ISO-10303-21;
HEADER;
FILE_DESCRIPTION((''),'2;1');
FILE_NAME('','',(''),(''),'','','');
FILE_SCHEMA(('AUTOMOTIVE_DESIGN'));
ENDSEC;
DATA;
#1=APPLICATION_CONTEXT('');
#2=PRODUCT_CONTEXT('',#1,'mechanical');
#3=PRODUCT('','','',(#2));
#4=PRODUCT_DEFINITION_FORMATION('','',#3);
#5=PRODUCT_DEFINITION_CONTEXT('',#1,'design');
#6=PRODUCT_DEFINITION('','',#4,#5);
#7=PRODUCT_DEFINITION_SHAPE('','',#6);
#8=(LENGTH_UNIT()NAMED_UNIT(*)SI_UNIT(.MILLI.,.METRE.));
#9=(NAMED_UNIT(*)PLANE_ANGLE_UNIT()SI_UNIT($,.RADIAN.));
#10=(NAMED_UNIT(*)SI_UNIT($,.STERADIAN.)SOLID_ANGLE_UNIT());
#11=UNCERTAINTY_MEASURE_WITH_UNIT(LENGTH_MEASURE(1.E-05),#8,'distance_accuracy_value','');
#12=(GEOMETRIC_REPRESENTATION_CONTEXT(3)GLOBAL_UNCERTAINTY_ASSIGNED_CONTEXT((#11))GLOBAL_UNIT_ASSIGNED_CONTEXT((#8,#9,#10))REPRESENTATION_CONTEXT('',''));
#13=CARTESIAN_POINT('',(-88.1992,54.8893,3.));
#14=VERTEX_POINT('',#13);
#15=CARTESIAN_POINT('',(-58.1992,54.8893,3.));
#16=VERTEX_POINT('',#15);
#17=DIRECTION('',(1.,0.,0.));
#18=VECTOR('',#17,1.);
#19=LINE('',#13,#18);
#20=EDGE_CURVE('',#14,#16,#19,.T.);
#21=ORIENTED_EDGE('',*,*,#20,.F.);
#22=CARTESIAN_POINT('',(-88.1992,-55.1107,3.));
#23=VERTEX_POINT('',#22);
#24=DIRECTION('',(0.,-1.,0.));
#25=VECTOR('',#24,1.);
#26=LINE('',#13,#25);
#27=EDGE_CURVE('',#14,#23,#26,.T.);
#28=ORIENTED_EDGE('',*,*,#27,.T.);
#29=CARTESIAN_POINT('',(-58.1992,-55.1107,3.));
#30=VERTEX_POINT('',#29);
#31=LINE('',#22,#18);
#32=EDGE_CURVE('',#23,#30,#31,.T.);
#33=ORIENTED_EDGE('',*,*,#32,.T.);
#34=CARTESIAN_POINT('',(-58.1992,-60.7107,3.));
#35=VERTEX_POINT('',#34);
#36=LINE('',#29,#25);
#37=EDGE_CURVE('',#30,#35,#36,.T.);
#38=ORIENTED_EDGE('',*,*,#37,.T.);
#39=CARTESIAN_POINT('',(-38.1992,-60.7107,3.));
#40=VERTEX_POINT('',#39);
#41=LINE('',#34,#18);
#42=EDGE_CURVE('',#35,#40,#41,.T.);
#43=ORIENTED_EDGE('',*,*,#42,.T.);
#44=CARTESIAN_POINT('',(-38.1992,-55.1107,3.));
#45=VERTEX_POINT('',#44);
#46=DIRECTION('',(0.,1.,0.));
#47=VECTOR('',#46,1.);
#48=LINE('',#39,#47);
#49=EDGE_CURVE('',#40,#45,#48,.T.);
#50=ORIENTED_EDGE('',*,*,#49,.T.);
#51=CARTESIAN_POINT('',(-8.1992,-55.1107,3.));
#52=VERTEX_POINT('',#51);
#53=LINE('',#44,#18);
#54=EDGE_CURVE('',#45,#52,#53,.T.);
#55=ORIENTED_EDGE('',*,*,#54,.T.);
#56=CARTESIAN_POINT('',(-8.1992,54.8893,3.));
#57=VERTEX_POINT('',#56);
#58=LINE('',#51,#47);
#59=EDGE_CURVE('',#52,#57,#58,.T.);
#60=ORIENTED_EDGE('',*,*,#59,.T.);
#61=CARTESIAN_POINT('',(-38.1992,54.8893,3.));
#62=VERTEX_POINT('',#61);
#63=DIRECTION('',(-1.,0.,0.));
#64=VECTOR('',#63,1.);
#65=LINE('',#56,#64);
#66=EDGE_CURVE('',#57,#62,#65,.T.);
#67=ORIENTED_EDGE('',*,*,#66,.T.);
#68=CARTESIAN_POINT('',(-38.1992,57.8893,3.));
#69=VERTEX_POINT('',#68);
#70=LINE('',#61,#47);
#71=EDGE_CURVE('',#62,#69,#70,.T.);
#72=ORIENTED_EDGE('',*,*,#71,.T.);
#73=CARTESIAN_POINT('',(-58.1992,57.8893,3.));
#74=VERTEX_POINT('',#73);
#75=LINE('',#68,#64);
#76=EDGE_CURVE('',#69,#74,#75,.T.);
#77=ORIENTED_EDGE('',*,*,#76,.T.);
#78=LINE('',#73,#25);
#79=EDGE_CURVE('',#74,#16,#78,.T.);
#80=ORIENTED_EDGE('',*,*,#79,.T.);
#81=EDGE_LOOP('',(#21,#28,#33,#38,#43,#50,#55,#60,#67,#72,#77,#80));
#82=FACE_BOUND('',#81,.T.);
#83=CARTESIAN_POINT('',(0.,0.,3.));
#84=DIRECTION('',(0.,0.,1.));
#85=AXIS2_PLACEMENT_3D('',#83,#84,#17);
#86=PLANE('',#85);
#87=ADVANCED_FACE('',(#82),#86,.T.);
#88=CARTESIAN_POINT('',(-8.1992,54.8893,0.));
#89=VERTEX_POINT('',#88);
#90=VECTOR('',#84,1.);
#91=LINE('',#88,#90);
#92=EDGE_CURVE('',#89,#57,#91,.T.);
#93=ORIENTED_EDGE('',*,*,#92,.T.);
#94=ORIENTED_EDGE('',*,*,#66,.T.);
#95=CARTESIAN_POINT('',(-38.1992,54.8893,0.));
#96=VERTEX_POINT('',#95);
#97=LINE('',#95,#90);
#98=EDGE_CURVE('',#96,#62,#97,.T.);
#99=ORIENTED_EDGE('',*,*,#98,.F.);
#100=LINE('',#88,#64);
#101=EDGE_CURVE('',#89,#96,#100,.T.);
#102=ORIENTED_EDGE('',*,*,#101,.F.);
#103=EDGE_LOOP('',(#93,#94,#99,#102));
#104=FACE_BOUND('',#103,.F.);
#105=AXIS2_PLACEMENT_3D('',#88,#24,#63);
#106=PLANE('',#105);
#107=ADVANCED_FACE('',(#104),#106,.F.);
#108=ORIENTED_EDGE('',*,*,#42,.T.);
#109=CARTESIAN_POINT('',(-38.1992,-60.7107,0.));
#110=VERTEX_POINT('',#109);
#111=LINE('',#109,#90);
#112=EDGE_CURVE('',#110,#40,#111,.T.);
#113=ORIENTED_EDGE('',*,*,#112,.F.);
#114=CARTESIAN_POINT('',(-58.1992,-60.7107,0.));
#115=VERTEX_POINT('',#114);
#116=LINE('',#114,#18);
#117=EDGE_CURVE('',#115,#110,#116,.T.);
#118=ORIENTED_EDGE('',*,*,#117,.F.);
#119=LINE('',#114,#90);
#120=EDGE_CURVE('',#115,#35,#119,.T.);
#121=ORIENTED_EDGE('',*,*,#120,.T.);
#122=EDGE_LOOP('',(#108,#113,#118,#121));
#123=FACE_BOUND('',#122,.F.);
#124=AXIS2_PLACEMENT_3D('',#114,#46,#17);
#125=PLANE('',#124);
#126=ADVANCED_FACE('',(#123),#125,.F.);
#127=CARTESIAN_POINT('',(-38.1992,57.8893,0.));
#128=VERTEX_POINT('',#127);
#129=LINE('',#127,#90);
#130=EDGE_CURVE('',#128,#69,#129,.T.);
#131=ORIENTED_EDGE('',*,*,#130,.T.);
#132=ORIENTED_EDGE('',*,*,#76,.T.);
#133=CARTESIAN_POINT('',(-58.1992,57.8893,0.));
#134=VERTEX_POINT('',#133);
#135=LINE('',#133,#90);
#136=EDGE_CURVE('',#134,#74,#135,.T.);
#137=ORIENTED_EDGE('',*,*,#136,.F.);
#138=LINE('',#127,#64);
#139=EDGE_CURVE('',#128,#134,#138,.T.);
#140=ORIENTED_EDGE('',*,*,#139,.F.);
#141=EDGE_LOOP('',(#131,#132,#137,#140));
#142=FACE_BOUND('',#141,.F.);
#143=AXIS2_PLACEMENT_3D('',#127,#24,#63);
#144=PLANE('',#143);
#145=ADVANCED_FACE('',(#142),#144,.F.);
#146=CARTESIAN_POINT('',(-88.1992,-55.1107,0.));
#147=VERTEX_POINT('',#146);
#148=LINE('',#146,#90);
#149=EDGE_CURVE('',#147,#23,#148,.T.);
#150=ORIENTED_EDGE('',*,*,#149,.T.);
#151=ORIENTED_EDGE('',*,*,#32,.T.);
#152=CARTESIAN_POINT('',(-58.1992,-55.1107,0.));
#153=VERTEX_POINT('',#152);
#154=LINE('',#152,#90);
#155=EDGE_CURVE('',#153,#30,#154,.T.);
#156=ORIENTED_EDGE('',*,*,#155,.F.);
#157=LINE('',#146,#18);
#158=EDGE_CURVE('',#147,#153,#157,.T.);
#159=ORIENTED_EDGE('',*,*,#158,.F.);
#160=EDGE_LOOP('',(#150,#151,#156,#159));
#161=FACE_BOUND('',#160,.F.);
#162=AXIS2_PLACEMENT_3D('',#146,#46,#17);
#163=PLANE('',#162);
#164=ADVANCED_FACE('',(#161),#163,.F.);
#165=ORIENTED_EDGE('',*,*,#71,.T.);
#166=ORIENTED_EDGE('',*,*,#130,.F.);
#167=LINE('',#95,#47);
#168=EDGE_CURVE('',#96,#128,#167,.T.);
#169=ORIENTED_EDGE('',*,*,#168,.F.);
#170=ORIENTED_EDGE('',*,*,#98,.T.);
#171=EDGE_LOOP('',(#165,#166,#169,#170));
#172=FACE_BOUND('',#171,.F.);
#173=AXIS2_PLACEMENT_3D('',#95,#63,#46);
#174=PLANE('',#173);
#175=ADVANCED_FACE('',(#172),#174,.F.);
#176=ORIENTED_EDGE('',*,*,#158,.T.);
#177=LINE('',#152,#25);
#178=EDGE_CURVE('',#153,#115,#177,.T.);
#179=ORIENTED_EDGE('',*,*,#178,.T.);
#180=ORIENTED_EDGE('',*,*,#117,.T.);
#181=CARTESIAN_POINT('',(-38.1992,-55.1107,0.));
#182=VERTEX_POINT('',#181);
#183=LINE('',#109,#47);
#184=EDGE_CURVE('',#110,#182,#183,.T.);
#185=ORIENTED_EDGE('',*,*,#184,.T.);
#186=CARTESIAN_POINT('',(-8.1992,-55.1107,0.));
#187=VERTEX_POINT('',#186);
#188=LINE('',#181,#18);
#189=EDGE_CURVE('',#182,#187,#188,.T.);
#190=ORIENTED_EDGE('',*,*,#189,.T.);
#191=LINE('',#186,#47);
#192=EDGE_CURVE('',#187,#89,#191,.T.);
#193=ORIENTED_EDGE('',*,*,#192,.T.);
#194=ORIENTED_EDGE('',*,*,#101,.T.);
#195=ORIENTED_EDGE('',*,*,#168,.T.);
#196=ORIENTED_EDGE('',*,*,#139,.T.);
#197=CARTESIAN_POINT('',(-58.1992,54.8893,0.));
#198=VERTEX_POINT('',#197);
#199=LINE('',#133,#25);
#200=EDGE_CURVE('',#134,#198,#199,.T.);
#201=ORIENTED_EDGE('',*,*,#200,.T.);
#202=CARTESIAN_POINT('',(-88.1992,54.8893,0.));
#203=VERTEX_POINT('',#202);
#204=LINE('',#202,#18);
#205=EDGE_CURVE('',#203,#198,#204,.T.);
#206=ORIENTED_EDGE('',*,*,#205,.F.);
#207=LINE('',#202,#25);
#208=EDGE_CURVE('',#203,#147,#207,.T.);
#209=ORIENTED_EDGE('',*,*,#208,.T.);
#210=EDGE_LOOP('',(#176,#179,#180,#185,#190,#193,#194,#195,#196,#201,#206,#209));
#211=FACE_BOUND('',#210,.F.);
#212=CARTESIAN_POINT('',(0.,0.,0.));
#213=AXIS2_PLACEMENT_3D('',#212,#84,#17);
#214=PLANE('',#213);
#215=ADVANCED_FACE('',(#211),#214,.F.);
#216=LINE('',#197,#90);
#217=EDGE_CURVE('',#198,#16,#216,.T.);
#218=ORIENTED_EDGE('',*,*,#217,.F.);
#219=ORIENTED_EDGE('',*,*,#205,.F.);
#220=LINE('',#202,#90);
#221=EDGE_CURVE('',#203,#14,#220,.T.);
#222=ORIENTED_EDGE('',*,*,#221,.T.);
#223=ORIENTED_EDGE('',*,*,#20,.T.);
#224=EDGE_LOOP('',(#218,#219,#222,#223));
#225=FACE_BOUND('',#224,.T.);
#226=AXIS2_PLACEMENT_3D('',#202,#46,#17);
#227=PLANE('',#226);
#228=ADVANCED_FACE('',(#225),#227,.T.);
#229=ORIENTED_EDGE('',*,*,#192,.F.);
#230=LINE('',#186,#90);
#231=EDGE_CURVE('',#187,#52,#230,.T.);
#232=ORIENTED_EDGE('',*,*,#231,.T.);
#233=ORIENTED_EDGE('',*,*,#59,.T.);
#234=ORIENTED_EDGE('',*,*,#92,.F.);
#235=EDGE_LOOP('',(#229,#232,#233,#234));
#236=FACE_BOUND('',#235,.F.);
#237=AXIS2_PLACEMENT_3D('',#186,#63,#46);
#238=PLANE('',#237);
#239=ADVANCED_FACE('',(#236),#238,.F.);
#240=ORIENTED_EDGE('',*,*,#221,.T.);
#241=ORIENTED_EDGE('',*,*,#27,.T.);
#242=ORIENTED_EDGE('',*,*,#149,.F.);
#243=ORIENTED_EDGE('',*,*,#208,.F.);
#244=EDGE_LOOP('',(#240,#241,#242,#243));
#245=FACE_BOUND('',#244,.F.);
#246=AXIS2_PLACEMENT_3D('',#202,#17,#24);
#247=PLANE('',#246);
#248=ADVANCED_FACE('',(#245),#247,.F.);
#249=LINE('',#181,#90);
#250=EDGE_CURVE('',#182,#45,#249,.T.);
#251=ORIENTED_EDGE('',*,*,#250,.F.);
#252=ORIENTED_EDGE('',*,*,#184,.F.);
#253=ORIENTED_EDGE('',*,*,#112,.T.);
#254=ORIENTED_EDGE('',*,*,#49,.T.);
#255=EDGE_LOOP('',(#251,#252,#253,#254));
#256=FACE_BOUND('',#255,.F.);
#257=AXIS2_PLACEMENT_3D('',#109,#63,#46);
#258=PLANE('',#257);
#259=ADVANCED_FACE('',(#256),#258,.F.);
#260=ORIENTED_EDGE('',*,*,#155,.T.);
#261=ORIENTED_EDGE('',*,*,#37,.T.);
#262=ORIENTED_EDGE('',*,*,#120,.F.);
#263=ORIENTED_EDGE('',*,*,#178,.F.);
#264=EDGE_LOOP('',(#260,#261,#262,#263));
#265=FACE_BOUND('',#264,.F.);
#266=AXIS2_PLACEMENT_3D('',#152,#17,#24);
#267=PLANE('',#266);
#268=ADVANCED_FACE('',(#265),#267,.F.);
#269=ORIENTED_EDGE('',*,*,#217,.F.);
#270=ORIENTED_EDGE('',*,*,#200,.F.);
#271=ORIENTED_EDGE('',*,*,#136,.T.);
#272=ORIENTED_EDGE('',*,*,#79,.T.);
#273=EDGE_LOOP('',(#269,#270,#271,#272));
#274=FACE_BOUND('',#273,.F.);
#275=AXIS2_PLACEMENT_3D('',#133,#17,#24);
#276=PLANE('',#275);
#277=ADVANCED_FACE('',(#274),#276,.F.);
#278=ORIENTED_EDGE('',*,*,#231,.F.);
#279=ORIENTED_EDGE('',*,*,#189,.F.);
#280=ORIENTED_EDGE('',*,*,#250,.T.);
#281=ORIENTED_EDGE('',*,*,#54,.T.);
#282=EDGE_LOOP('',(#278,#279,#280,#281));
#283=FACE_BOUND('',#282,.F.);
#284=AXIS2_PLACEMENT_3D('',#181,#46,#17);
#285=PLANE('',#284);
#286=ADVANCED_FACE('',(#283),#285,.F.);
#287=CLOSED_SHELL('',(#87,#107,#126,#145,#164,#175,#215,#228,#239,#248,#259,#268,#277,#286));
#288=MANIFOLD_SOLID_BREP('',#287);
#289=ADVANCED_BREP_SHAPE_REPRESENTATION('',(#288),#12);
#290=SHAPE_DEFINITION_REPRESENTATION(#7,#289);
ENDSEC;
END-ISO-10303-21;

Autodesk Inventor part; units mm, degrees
ref_plane "YZ Plane" through (0, 0, 0) normal (1, 0, 0) x (0, 1, 0)
ref_plane "XZ Plane" through (0, 0, 0) normal (0, 1, 0) x (-1, 0, 0)
ref_plane "XY Plane" through (0, 0, 0) normal (0, 0, 1) x (1, 0, 0)
sketch "Sketch1" plane through (0, 0, 0) normal (0, 0, 1) x (1, 0, 0)
  line L0 (-88.1992, 54.8893) -> (-88.1992, -55.1107)
  line L1 (-88.1992, -55.1107) -> (-58.1992, -55.1107)
  line L2 (-58.1992, -55.1107) -> (-58.1992, -60.7107)
  line L3 (-58.1992, -60.7107) -> (-38.1992, -60.7107)
  line L4 (-38.1992, -60.7107) -> (-38.1992, -55.1107)
  line L5 (-38.1992, -55.1107) -> (-8.1992, -55.1107)
  line L6 (-8.1992, -55.1107) -> (-8.1992, 54.8893)
  line L7 (-8.1992, 54.8893) -> (-38.1992, 54.8893)
  line L8 (-38.1992, 54.8893) -> (-38.1992, 57.8893)
  line L9 (-38.1992, 57.8893) -> (-58.1992, 57.8893)
  line L10 (-58.1992, 57.8893) -> (-58.1992, 54.8893)
  line L11 (-88.1992, 54.8893) -> (-58.1992, 54.8893)
  point P0 (0, 0)
  dimension "d0" = 110
  dimension "d1" = 20
  dimension "d2" = 80
  dimension "d3" = 30
  dimension "d6" = 3
  dimension "d7" = 5.6
extrude "Extrusion1" add sketch "Sketch1" along normal blind 3
properties part number "SideWallV2"
